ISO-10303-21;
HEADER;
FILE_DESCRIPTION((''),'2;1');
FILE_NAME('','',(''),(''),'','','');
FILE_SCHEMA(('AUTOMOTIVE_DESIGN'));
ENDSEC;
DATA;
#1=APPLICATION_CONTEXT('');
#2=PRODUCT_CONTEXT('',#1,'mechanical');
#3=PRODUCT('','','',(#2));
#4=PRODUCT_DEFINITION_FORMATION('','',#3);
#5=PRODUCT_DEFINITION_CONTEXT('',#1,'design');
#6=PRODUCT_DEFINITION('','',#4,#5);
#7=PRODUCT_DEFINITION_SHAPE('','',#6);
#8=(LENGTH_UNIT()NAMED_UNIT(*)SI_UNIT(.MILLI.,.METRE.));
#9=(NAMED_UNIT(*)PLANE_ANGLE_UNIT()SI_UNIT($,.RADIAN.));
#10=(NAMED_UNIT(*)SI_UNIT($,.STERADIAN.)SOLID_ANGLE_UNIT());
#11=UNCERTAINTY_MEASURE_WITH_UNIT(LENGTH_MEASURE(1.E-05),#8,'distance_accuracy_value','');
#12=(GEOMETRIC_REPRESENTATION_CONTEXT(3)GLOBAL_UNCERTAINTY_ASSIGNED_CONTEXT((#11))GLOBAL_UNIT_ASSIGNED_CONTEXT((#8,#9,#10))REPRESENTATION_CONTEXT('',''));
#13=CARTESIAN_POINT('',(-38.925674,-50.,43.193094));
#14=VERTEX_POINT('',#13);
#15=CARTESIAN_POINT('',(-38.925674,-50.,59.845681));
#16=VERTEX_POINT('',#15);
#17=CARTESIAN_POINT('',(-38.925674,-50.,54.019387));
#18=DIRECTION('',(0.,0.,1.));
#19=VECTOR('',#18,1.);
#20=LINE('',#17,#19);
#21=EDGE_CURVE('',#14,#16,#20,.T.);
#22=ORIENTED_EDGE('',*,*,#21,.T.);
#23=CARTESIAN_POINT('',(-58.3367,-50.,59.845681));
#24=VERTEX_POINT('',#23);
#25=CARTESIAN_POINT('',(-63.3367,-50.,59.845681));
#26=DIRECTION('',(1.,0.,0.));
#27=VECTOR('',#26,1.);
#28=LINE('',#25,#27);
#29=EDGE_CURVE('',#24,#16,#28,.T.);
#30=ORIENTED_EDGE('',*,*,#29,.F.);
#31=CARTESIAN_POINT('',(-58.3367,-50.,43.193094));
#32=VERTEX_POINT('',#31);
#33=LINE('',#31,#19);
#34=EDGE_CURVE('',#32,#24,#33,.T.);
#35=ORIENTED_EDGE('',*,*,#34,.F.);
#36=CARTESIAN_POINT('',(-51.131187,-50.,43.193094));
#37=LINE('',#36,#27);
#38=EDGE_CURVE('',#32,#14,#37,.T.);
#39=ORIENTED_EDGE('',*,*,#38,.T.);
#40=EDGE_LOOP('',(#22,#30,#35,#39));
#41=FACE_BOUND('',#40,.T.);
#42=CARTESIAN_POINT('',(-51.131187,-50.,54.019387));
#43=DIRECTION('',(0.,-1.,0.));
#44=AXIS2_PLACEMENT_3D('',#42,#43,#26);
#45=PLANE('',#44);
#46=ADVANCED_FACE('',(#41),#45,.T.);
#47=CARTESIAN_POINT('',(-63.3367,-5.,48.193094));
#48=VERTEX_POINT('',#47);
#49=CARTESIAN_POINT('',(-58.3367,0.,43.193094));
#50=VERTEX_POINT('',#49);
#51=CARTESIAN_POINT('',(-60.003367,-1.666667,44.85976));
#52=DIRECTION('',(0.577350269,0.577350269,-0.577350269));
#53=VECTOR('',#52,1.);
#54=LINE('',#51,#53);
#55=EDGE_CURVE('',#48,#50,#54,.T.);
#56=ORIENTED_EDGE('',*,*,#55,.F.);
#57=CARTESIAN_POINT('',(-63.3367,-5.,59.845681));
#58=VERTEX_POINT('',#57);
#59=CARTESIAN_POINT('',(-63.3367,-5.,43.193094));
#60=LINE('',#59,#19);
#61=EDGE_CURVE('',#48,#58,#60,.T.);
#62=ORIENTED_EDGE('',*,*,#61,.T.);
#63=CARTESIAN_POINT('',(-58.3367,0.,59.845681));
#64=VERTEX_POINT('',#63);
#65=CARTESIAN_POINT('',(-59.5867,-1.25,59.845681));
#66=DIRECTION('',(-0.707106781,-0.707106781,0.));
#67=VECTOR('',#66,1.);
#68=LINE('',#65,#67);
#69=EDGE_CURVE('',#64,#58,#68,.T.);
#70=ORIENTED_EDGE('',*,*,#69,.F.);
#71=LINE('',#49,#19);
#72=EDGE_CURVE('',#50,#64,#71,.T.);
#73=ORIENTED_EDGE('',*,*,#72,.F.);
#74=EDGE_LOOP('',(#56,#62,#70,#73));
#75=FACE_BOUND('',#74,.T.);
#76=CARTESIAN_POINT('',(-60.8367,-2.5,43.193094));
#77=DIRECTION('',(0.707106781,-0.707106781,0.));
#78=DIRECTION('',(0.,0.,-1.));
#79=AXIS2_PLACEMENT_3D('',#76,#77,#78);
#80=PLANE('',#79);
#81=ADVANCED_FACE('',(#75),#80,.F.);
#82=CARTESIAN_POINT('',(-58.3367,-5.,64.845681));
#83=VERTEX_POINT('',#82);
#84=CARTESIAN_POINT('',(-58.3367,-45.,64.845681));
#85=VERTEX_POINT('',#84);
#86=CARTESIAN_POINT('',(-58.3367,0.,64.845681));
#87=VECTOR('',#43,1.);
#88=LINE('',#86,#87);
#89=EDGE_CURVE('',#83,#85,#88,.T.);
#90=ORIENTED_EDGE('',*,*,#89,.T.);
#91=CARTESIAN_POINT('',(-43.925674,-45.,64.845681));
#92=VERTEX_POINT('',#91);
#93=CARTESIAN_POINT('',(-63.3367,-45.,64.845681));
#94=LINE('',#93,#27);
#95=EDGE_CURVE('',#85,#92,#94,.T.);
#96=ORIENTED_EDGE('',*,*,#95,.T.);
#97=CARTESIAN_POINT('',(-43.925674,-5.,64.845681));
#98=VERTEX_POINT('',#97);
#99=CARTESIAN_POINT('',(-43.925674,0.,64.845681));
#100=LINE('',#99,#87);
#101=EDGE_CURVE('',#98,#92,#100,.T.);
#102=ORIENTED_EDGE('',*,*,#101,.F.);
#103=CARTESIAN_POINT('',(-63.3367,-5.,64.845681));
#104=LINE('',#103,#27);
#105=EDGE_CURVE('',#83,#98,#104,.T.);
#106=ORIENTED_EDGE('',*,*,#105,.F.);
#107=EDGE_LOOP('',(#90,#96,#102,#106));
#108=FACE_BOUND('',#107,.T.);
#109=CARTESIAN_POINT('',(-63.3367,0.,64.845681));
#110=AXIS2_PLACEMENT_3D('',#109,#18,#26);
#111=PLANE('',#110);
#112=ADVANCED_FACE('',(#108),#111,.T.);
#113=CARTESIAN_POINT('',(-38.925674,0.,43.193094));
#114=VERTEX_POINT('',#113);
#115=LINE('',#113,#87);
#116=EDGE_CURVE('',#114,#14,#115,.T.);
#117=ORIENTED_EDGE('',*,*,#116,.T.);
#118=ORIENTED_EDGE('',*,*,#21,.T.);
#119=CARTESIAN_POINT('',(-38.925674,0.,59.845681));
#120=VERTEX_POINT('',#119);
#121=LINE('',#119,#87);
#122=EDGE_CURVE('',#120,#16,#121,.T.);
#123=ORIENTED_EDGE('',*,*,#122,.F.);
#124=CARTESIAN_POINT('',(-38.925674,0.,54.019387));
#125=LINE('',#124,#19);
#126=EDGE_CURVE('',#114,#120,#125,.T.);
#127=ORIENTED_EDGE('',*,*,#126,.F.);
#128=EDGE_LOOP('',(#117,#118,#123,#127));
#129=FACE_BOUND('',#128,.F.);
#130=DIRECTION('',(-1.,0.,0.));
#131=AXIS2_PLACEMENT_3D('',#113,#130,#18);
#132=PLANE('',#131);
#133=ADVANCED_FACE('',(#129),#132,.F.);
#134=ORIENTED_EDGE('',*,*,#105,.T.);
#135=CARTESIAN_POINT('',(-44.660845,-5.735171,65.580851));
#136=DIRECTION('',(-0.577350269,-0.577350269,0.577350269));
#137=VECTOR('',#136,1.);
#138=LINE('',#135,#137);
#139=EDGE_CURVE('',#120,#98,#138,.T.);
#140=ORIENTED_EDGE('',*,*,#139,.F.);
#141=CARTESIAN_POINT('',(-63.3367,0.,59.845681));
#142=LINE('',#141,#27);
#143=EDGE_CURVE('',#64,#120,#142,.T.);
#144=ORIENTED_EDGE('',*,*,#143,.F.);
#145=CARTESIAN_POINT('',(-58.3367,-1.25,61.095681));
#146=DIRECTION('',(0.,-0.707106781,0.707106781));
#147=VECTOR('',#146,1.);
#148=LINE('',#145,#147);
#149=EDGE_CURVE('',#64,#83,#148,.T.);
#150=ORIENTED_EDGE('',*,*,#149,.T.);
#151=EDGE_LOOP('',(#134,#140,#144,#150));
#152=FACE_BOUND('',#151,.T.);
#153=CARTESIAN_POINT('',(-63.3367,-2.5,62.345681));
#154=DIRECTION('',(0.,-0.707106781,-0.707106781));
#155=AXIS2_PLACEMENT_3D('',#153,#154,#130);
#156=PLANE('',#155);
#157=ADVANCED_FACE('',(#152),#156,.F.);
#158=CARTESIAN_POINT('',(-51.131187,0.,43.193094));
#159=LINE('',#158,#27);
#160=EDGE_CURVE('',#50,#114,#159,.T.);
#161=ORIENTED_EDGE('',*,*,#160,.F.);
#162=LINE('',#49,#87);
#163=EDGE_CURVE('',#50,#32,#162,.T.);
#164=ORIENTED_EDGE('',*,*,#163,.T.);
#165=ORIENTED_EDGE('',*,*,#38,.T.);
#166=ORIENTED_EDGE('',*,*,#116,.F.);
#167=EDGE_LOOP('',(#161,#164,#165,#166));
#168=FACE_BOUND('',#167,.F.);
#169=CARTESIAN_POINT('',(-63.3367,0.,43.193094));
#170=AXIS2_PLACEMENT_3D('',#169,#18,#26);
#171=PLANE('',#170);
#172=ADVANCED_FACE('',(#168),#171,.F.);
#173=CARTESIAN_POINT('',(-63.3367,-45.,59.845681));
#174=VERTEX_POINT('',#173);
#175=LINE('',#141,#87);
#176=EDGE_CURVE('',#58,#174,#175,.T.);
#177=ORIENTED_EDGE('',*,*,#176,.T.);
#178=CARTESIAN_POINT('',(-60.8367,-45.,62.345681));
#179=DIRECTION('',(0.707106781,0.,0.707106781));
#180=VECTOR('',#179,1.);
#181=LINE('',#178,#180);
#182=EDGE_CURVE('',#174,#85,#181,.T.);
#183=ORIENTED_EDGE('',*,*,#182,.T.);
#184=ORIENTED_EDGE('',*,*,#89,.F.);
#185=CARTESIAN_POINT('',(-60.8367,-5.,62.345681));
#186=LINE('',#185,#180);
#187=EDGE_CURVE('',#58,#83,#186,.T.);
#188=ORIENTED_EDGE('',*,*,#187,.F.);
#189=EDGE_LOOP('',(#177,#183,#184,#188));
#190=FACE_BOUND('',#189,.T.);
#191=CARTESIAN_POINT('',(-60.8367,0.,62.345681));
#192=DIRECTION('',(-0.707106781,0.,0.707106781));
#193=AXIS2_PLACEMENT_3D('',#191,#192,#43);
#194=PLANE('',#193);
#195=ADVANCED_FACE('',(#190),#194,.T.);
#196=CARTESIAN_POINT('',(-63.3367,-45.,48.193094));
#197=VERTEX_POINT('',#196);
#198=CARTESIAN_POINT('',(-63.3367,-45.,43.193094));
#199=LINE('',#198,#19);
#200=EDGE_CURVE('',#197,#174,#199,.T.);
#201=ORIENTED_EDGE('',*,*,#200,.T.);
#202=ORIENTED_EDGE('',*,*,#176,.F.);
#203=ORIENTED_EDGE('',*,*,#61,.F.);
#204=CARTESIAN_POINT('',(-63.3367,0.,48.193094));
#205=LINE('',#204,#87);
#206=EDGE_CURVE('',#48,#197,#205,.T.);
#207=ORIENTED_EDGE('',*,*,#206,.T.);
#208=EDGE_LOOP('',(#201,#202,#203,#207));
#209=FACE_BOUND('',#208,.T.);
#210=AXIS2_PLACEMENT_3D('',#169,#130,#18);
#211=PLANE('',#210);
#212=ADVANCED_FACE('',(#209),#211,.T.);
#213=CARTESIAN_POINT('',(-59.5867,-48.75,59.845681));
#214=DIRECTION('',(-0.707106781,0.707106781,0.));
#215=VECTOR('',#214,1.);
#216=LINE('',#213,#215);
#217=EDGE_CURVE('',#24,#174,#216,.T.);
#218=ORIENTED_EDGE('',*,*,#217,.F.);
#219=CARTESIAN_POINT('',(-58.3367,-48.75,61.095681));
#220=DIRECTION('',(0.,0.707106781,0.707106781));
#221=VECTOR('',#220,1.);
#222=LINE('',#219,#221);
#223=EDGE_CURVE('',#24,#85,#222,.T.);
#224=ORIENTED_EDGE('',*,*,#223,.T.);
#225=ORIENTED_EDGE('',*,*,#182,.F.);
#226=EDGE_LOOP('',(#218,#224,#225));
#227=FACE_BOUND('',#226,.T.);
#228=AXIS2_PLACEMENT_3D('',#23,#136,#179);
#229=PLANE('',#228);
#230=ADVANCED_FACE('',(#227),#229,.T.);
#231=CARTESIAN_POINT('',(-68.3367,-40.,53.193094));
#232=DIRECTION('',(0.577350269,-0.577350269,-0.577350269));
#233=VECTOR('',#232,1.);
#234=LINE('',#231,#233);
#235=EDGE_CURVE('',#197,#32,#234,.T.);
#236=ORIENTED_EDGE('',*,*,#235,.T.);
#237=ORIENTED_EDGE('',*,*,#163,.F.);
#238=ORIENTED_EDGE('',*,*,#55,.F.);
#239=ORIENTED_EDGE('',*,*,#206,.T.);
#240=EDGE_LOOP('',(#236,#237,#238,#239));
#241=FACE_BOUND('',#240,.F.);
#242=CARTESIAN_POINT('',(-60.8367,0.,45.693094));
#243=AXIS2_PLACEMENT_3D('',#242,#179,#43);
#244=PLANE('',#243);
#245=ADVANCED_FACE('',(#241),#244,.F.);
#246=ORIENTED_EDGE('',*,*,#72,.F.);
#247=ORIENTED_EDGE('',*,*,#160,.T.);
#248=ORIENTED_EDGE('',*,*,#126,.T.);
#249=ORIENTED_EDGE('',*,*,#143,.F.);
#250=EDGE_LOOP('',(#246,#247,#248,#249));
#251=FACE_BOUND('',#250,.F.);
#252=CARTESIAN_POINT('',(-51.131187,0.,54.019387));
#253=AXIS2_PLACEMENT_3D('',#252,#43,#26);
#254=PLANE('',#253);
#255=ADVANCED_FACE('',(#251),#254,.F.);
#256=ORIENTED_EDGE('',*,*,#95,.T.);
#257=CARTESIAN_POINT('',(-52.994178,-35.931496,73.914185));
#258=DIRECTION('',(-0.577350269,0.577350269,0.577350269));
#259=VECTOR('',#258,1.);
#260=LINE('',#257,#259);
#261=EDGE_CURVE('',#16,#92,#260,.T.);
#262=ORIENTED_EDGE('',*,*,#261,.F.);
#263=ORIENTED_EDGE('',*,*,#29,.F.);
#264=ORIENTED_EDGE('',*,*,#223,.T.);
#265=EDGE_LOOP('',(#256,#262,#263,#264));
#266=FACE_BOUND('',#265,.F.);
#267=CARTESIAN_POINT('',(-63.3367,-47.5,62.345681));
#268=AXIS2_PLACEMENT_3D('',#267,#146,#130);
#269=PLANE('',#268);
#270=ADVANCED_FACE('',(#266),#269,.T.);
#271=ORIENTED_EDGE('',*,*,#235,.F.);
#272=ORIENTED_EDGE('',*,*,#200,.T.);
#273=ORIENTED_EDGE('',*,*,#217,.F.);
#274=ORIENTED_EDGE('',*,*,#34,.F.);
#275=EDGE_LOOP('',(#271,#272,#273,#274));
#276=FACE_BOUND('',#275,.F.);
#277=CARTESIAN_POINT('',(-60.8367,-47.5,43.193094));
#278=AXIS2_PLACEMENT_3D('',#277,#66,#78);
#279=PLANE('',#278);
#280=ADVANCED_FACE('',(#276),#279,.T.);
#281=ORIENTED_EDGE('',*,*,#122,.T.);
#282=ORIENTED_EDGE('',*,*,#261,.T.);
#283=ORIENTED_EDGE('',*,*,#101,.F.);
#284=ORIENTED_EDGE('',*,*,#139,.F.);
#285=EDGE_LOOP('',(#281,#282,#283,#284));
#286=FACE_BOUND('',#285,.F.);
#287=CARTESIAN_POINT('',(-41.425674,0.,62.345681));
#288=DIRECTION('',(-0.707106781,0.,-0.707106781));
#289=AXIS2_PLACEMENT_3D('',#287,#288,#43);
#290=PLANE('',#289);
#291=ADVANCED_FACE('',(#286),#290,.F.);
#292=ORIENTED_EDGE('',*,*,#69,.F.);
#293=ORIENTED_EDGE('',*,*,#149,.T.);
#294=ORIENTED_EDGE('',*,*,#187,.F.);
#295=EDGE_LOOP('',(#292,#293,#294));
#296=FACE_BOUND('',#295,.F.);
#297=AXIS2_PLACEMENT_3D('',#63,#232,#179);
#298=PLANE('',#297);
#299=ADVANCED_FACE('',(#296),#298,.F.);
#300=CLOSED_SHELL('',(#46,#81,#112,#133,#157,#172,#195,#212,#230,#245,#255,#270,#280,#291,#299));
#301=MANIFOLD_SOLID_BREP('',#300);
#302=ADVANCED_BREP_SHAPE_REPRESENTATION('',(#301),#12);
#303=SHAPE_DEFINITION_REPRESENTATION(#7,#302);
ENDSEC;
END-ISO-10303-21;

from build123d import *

# Parameters (mm, degrees)
F0_W     = 24.411026
F0_H     = 21.652587
F1_DEPTH = 50
F2_SIZE  = 5


with BuildPart() as f1:
    # F0 (on Front) → F1 (new body)
    with BuildSketch(Plane.XZ):
        with Locations((-51.131187, 54.019387)):
            Rectangle(F0_W, F0_H)
    extrude(amount=F1_DEPTH)

    # F2
    f2_edges = [f1.edges().sort_by_distance(p)[0] for p in [
        (-63.3367, -25, 64.845681),
        (-63.3367, -25, 43.193094),
        (-63.3367, 0, 54.019388),
        (-63.3367, -50, 54.019388),
        (-38.925674, -25, 64.845681),
        (-51.131187, 0, 64.845681),
        (-51.131187, -50, 64.845681),
    ]]
    chamfer(f2_edges, length=F2_SIZE)


solid = f1.part
